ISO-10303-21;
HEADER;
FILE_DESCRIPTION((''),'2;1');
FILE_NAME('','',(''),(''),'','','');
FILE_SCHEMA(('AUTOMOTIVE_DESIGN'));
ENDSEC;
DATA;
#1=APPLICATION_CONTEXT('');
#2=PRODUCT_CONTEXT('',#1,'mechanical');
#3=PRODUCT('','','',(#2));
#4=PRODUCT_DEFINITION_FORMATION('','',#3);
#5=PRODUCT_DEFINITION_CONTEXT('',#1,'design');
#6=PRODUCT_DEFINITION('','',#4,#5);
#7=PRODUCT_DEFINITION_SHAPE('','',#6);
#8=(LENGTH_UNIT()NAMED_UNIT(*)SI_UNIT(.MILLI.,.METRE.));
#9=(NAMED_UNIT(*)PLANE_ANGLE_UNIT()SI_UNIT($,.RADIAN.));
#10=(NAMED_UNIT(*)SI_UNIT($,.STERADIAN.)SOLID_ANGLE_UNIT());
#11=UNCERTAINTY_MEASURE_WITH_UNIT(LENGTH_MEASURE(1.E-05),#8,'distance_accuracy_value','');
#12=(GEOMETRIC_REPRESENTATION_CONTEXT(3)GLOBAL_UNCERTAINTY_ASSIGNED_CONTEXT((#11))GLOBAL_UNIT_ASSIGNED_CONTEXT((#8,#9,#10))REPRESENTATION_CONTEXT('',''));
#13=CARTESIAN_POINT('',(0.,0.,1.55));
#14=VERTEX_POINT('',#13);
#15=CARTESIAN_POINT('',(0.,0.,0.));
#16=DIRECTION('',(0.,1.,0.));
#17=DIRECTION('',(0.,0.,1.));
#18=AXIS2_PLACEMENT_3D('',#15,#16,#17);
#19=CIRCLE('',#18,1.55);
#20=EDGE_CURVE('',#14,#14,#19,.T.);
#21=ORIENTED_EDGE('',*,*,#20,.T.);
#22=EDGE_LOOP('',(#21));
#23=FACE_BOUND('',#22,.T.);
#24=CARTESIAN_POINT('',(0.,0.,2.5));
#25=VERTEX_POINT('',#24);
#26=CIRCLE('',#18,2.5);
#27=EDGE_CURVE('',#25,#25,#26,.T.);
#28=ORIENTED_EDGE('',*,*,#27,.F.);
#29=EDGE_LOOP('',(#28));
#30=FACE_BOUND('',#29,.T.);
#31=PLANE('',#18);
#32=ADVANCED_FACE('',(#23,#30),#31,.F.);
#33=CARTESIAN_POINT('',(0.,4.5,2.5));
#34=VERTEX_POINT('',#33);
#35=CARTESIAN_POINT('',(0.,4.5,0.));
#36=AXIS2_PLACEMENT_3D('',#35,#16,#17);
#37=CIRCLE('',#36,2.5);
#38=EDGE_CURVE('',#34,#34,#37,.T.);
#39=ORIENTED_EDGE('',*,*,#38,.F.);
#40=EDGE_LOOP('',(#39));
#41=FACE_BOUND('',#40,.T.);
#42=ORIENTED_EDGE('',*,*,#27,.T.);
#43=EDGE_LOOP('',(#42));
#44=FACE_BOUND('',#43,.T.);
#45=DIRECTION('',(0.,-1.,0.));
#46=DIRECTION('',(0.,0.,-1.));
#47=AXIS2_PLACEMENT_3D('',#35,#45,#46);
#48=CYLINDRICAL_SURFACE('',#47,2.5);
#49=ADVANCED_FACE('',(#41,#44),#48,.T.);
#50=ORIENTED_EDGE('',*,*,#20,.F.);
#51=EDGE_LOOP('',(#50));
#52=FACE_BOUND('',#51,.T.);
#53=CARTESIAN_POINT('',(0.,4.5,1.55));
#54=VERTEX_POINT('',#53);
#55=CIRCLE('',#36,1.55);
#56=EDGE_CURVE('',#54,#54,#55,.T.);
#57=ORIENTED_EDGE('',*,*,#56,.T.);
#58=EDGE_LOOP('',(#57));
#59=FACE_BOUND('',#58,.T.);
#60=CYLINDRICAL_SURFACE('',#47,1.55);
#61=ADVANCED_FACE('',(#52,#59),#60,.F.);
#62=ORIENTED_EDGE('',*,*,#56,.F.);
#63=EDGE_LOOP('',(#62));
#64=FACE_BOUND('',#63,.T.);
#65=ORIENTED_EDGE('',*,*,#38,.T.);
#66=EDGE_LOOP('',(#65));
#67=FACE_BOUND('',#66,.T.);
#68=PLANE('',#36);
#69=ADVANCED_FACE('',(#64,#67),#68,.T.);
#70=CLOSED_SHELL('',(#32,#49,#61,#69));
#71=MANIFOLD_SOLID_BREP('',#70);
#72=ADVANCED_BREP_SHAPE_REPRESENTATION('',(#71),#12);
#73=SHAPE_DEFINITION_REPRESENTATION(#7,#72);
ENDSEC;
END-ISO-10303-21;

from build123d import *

# Parameters (mm, degrees)
SKETCH_1_R      = 2.5
SKETCH_1_R_2    = 1.55
EXTRUDE_1_DEPTH = 4.5


with BuildPart() as part:
    # 草图1 → 凸台-拉伸1 (new body)
    with BuildSketch(Plane(origin=(0, 0, 0), x_dir=(1, 0, 0), z_dir=(0, 1, 0))):
        Circle(SKETCH_1_R)
        Circle(SKETCH_1_R_2, mode=Mode.SUBTRACT)
    extrude(amount=EXTRUDE_1_DEPTH)


solid = part.part
